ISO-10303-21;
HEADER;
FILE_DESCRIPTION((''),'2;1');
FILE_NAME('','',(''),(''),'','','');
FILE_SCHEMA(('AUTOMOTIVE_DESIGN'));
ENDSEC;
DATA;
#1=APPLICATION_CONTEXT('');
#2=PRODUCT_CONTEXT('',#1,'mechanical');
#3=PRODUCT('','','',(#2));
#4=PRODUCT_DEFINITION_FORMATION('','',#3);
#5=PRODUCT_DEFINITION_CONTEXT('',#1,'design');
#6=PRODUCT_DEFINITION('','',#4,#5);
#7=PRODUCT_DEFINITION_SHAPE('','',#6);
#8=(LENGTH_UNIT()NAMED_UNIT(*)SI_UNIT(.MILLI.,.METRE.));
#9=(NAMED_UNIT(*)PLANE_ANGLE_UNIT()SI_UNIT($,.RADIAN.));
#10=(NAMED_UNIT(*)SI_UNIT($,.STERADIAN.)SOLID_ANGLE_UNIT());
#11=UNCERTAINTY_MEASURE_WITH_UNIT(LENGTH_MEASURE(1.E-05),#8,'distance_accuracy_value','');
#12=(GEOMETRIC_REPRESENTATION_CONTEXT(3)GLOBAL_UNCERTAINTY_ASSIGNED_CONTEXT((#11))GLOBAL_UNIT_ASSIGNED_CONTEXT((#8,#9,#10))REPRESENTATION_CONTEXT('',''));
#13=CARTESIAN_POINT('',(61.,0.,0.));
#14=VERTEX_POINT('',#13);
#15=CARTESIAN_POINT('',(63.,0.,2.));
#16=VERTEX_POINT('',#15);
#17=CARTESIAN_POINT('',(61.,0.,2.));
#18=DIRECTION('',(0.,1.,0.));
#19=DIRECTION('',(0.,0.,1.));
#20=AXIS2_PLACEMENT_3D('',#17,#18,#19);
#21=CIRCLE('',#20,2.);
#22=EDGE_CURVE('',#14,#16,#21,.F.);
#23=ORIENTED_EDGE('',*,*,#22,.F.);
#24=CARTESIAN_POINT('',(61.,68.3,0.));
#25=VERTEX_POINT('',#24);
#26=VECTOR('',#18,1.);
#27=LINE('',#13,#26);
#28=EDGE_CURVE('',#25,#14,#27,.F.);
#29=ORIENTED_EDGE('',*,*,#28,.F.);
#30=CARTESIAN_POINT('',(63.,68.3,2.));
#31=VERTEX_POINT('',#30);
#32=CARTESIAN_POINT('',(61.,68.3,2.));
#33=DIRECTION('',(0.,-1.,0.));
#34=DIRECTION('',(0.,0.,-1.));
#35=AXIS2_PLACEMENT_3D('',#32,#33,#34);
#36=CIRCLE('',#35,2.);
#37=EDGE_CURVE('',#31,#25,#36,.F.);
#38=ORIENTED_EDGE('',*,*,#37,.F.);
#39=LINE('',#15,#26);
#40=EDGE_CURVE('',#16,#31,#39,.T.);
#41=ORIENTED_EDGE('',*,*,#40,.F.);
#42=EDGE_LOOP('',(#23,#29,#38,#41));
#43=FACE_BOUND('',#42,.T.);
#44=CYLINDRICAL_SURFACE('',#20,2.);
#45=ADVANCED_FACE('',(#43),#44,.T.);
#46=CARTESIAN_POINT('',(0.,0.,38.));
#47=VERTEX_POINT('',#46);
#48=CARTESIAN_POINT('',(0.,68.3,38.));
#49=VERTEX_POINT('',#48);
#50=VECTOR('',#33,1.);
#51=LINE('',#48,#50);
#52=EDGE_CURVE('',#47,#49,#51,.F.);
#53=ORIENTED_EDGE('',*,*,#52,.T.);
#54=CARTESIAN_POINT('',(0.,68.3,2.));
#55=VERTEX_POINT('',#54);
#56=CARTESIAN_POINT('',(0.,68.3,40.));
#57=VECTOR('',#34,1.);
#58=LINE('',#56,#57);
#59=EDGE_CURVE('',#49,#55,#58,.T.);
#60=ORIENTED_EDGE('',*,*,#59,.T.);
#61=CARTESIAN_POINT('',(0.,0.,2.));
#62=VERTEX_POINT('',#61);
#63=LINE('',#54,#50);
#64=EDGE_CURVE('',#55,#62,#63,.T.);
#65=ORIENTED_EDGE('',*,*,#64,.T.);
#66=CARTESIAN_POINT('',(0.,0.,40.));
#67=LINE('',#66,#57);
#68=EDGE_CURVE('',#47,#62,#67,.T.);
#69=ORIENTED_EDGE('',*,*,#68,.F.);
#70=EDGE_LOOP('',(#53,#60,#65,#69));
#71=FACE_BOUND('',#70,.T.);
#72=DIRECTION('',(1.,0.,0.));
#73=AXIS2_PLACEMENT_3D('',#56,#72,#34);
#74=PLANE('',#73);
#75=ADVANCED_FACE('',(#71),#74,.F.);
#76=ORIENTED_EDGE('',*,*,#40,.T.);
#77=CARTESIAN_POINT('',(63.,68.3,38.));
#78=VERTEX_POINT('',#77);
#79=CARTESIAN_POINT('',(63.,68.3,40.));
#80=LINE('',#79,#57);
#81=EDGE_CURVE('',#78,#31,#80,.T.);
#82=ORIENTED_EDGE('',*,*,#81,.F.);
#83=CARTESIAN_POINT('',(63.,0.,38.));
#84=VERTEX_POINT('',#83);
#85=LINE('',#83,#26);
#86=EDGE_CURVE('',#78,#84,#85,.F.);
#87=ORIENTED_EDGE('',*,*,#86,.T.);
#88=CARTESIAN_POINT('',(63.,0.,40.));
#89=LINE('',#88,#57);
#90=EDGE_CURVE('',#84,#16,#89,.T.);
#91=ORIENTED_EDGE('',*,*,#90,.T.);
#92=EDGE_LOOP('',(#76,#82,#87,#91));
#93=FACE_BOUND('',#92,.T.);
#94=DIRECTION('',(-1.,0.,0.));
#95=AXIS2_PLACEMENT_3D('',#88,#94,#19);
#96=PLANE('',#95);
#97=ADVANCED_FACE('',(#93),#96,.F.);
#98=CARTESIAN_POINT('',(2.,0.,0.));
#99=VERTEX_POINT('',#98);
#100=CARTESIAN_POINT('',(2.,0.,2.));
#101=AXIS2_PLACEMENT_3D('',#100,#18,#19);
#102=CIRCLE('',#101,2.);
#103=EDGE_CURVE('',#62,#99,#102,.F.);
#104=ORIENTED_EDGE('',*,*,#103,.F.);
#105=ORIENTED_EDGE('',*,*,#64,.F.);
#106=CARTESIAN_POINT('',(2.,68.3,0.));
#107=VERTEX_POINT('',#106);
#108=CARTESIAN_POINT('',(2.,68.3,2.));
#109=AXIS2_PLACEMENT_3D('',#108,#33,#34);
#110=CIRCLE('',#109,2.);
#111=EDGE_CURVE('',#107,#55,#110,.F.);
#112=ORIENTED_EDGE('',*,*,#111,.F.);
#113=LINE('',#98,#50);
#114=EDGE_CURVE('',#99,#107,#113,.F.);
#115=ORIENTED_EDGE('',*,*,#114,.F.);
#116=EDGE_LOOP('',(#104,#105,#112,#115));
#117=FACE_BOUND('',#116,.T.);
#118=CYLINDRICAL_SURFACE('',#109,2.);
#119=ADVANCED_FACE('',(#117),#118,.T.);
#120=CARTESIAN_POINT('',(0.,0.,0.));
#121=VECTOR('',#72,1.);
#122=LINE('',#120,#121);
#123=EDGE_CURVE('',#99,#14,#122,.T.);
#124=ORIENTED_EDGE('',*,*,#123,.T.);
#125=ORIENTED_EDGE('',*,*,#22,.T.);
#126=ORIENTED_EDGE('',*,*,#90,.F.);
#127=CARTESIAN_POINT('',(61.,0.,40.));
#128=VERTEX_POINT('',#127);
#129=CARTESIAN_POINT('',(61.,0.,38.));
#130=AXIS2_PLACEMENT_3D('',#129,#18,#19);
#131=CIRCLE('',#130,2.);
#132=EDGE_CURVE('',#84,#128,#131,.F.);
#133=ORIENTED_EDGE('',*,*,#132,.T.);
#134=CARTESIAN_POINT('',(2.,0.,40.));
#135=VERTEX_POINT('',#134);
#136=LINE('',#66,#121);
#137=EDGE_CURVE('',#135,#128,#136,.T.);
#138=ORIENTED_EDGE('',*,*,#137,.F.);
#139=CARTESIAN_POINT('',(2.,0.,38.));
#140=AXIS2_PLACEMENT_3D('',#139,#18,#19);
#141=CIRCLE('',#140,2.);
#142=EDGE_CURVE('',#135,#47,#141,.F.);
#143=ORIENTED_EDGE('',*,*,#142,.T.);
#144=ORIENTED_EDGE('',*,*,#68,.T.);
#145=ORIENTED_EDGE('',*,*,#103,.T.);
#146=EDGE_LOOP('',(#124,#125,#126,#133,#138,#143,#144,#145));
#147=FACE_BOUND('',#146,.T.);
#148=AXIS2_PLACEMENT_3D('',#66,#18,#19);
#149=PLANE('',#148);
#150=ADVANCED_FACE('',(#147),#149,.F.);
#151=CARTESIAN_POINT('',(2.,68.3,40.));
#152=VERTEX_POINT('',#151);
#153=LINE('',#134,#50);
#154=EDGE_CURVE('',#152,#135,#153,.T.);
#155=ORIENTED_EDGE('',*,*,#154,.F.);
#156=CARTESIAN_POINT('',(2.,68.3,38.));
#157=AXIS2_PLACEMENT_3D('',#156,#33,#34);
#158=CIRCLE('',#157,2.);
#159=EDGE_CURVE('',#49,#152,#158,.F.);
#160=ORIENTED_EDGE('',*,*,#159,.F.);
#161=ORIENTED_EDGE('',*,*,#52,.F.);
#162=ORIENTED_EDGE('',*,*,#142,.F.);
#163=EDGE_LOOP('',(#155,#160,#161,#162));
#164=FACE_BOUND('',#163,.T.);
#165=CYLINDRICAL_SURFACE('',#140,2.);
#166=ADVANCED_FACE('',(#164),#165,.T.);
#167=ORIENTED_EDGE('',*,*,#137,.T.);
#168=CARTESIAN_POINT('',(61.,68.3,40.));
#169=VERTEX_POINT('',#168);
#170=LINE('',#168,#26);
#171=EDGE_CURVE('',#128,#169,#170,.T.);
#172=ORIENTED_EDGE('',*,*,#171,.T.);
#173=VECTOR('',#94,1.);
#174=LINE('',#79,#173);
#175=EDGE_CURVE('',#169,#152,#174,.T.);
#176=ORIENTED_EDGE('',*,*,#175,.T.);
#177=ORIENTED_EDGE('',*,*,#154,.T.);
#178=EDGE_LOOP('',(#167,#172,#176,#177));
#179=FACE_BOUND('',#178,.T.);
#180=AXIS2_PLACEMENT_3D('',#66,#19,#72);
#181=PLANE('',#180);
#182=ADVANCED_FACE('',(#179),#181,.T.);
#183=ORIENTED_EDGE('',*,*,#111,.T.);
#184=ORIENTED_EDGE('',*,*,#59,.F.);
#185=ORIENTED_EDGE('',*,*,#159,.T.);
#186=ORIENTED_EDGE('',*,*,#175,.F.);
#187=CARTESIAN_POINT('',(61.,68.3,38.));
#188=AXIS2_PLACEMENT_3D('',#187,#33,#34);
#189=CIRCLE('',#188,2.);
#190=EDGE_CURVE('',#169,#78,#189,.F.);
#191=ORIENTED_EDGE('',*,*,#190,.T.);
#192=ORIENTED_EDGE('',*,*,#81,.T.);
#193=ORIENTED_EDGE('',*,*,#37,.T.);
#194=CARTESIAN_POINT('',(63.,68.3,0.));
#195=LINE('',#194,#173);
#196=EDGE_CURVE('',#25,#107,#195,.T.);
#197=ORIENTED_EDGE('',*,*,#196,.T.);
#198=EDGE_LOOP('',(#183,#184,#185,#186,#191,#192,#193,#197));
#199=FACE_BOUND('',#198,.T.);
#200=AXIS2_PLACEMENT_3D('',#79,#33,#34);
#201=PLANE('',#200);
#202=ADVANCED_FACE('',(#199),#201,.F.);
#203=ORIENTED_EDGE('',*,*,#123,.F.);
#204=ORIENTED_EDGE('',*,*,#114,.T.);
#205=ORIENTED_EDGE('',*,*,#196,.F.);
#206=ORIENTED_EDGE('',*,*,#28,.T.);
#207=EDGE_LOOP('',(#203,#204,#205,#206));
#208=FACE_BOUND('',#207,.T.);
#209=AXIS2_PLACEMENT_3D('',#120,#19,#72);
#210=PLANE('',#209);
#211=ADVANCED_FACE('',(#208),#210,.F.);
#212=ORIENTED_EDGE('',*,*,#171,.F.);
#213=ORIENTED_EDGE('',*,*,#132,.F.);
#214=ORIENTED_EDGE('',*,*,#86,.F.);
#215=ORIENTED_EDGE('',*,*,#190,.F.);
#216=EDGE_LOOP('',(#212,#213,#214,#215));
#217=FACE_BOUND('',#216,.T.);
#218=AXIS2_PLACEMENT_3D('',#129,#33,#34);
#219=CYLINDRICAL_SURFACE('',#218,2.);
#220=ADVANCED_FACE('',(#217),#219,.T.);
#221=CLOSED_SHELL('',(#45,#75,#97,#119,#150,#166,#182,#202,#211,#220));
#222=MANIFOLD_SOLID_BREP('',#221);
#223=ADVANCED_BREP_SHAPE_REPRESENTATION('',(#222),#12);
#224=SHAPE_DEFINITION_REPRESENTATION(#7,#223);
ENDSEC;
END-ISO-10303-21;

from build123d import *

# Parameters (mm, degrees)
SKETCH_1_W         = 63
SKETCH_1_H         = 68.3
BLOCKEXTRUDE_DEPTH = 40
FILLET_2_R         = 2


with BuildPart() as part:
    # 草图1 → BlockExtrude (new body)
    with BuildSketch(Plane.XY):
        with Locations((31.5, 34.15)):
            Rectangle(SKETCH_1_W, SKETCH_1_H)
    extrude(amount=BLOCKEXTRUDE_DEPTH)

    # Fillet 2
    fillet_2_edges = [part.edges().sort_by_distance(p)[0] for p in [
        (63, 34.15, 40),
        (0, 34.15, 40),
        (63, 34.15, 0),
        (0, 34.15, 0),
    ]]
    fillet(fillet_2_edges, radius=FILLET_2_R)


solid = part.part
